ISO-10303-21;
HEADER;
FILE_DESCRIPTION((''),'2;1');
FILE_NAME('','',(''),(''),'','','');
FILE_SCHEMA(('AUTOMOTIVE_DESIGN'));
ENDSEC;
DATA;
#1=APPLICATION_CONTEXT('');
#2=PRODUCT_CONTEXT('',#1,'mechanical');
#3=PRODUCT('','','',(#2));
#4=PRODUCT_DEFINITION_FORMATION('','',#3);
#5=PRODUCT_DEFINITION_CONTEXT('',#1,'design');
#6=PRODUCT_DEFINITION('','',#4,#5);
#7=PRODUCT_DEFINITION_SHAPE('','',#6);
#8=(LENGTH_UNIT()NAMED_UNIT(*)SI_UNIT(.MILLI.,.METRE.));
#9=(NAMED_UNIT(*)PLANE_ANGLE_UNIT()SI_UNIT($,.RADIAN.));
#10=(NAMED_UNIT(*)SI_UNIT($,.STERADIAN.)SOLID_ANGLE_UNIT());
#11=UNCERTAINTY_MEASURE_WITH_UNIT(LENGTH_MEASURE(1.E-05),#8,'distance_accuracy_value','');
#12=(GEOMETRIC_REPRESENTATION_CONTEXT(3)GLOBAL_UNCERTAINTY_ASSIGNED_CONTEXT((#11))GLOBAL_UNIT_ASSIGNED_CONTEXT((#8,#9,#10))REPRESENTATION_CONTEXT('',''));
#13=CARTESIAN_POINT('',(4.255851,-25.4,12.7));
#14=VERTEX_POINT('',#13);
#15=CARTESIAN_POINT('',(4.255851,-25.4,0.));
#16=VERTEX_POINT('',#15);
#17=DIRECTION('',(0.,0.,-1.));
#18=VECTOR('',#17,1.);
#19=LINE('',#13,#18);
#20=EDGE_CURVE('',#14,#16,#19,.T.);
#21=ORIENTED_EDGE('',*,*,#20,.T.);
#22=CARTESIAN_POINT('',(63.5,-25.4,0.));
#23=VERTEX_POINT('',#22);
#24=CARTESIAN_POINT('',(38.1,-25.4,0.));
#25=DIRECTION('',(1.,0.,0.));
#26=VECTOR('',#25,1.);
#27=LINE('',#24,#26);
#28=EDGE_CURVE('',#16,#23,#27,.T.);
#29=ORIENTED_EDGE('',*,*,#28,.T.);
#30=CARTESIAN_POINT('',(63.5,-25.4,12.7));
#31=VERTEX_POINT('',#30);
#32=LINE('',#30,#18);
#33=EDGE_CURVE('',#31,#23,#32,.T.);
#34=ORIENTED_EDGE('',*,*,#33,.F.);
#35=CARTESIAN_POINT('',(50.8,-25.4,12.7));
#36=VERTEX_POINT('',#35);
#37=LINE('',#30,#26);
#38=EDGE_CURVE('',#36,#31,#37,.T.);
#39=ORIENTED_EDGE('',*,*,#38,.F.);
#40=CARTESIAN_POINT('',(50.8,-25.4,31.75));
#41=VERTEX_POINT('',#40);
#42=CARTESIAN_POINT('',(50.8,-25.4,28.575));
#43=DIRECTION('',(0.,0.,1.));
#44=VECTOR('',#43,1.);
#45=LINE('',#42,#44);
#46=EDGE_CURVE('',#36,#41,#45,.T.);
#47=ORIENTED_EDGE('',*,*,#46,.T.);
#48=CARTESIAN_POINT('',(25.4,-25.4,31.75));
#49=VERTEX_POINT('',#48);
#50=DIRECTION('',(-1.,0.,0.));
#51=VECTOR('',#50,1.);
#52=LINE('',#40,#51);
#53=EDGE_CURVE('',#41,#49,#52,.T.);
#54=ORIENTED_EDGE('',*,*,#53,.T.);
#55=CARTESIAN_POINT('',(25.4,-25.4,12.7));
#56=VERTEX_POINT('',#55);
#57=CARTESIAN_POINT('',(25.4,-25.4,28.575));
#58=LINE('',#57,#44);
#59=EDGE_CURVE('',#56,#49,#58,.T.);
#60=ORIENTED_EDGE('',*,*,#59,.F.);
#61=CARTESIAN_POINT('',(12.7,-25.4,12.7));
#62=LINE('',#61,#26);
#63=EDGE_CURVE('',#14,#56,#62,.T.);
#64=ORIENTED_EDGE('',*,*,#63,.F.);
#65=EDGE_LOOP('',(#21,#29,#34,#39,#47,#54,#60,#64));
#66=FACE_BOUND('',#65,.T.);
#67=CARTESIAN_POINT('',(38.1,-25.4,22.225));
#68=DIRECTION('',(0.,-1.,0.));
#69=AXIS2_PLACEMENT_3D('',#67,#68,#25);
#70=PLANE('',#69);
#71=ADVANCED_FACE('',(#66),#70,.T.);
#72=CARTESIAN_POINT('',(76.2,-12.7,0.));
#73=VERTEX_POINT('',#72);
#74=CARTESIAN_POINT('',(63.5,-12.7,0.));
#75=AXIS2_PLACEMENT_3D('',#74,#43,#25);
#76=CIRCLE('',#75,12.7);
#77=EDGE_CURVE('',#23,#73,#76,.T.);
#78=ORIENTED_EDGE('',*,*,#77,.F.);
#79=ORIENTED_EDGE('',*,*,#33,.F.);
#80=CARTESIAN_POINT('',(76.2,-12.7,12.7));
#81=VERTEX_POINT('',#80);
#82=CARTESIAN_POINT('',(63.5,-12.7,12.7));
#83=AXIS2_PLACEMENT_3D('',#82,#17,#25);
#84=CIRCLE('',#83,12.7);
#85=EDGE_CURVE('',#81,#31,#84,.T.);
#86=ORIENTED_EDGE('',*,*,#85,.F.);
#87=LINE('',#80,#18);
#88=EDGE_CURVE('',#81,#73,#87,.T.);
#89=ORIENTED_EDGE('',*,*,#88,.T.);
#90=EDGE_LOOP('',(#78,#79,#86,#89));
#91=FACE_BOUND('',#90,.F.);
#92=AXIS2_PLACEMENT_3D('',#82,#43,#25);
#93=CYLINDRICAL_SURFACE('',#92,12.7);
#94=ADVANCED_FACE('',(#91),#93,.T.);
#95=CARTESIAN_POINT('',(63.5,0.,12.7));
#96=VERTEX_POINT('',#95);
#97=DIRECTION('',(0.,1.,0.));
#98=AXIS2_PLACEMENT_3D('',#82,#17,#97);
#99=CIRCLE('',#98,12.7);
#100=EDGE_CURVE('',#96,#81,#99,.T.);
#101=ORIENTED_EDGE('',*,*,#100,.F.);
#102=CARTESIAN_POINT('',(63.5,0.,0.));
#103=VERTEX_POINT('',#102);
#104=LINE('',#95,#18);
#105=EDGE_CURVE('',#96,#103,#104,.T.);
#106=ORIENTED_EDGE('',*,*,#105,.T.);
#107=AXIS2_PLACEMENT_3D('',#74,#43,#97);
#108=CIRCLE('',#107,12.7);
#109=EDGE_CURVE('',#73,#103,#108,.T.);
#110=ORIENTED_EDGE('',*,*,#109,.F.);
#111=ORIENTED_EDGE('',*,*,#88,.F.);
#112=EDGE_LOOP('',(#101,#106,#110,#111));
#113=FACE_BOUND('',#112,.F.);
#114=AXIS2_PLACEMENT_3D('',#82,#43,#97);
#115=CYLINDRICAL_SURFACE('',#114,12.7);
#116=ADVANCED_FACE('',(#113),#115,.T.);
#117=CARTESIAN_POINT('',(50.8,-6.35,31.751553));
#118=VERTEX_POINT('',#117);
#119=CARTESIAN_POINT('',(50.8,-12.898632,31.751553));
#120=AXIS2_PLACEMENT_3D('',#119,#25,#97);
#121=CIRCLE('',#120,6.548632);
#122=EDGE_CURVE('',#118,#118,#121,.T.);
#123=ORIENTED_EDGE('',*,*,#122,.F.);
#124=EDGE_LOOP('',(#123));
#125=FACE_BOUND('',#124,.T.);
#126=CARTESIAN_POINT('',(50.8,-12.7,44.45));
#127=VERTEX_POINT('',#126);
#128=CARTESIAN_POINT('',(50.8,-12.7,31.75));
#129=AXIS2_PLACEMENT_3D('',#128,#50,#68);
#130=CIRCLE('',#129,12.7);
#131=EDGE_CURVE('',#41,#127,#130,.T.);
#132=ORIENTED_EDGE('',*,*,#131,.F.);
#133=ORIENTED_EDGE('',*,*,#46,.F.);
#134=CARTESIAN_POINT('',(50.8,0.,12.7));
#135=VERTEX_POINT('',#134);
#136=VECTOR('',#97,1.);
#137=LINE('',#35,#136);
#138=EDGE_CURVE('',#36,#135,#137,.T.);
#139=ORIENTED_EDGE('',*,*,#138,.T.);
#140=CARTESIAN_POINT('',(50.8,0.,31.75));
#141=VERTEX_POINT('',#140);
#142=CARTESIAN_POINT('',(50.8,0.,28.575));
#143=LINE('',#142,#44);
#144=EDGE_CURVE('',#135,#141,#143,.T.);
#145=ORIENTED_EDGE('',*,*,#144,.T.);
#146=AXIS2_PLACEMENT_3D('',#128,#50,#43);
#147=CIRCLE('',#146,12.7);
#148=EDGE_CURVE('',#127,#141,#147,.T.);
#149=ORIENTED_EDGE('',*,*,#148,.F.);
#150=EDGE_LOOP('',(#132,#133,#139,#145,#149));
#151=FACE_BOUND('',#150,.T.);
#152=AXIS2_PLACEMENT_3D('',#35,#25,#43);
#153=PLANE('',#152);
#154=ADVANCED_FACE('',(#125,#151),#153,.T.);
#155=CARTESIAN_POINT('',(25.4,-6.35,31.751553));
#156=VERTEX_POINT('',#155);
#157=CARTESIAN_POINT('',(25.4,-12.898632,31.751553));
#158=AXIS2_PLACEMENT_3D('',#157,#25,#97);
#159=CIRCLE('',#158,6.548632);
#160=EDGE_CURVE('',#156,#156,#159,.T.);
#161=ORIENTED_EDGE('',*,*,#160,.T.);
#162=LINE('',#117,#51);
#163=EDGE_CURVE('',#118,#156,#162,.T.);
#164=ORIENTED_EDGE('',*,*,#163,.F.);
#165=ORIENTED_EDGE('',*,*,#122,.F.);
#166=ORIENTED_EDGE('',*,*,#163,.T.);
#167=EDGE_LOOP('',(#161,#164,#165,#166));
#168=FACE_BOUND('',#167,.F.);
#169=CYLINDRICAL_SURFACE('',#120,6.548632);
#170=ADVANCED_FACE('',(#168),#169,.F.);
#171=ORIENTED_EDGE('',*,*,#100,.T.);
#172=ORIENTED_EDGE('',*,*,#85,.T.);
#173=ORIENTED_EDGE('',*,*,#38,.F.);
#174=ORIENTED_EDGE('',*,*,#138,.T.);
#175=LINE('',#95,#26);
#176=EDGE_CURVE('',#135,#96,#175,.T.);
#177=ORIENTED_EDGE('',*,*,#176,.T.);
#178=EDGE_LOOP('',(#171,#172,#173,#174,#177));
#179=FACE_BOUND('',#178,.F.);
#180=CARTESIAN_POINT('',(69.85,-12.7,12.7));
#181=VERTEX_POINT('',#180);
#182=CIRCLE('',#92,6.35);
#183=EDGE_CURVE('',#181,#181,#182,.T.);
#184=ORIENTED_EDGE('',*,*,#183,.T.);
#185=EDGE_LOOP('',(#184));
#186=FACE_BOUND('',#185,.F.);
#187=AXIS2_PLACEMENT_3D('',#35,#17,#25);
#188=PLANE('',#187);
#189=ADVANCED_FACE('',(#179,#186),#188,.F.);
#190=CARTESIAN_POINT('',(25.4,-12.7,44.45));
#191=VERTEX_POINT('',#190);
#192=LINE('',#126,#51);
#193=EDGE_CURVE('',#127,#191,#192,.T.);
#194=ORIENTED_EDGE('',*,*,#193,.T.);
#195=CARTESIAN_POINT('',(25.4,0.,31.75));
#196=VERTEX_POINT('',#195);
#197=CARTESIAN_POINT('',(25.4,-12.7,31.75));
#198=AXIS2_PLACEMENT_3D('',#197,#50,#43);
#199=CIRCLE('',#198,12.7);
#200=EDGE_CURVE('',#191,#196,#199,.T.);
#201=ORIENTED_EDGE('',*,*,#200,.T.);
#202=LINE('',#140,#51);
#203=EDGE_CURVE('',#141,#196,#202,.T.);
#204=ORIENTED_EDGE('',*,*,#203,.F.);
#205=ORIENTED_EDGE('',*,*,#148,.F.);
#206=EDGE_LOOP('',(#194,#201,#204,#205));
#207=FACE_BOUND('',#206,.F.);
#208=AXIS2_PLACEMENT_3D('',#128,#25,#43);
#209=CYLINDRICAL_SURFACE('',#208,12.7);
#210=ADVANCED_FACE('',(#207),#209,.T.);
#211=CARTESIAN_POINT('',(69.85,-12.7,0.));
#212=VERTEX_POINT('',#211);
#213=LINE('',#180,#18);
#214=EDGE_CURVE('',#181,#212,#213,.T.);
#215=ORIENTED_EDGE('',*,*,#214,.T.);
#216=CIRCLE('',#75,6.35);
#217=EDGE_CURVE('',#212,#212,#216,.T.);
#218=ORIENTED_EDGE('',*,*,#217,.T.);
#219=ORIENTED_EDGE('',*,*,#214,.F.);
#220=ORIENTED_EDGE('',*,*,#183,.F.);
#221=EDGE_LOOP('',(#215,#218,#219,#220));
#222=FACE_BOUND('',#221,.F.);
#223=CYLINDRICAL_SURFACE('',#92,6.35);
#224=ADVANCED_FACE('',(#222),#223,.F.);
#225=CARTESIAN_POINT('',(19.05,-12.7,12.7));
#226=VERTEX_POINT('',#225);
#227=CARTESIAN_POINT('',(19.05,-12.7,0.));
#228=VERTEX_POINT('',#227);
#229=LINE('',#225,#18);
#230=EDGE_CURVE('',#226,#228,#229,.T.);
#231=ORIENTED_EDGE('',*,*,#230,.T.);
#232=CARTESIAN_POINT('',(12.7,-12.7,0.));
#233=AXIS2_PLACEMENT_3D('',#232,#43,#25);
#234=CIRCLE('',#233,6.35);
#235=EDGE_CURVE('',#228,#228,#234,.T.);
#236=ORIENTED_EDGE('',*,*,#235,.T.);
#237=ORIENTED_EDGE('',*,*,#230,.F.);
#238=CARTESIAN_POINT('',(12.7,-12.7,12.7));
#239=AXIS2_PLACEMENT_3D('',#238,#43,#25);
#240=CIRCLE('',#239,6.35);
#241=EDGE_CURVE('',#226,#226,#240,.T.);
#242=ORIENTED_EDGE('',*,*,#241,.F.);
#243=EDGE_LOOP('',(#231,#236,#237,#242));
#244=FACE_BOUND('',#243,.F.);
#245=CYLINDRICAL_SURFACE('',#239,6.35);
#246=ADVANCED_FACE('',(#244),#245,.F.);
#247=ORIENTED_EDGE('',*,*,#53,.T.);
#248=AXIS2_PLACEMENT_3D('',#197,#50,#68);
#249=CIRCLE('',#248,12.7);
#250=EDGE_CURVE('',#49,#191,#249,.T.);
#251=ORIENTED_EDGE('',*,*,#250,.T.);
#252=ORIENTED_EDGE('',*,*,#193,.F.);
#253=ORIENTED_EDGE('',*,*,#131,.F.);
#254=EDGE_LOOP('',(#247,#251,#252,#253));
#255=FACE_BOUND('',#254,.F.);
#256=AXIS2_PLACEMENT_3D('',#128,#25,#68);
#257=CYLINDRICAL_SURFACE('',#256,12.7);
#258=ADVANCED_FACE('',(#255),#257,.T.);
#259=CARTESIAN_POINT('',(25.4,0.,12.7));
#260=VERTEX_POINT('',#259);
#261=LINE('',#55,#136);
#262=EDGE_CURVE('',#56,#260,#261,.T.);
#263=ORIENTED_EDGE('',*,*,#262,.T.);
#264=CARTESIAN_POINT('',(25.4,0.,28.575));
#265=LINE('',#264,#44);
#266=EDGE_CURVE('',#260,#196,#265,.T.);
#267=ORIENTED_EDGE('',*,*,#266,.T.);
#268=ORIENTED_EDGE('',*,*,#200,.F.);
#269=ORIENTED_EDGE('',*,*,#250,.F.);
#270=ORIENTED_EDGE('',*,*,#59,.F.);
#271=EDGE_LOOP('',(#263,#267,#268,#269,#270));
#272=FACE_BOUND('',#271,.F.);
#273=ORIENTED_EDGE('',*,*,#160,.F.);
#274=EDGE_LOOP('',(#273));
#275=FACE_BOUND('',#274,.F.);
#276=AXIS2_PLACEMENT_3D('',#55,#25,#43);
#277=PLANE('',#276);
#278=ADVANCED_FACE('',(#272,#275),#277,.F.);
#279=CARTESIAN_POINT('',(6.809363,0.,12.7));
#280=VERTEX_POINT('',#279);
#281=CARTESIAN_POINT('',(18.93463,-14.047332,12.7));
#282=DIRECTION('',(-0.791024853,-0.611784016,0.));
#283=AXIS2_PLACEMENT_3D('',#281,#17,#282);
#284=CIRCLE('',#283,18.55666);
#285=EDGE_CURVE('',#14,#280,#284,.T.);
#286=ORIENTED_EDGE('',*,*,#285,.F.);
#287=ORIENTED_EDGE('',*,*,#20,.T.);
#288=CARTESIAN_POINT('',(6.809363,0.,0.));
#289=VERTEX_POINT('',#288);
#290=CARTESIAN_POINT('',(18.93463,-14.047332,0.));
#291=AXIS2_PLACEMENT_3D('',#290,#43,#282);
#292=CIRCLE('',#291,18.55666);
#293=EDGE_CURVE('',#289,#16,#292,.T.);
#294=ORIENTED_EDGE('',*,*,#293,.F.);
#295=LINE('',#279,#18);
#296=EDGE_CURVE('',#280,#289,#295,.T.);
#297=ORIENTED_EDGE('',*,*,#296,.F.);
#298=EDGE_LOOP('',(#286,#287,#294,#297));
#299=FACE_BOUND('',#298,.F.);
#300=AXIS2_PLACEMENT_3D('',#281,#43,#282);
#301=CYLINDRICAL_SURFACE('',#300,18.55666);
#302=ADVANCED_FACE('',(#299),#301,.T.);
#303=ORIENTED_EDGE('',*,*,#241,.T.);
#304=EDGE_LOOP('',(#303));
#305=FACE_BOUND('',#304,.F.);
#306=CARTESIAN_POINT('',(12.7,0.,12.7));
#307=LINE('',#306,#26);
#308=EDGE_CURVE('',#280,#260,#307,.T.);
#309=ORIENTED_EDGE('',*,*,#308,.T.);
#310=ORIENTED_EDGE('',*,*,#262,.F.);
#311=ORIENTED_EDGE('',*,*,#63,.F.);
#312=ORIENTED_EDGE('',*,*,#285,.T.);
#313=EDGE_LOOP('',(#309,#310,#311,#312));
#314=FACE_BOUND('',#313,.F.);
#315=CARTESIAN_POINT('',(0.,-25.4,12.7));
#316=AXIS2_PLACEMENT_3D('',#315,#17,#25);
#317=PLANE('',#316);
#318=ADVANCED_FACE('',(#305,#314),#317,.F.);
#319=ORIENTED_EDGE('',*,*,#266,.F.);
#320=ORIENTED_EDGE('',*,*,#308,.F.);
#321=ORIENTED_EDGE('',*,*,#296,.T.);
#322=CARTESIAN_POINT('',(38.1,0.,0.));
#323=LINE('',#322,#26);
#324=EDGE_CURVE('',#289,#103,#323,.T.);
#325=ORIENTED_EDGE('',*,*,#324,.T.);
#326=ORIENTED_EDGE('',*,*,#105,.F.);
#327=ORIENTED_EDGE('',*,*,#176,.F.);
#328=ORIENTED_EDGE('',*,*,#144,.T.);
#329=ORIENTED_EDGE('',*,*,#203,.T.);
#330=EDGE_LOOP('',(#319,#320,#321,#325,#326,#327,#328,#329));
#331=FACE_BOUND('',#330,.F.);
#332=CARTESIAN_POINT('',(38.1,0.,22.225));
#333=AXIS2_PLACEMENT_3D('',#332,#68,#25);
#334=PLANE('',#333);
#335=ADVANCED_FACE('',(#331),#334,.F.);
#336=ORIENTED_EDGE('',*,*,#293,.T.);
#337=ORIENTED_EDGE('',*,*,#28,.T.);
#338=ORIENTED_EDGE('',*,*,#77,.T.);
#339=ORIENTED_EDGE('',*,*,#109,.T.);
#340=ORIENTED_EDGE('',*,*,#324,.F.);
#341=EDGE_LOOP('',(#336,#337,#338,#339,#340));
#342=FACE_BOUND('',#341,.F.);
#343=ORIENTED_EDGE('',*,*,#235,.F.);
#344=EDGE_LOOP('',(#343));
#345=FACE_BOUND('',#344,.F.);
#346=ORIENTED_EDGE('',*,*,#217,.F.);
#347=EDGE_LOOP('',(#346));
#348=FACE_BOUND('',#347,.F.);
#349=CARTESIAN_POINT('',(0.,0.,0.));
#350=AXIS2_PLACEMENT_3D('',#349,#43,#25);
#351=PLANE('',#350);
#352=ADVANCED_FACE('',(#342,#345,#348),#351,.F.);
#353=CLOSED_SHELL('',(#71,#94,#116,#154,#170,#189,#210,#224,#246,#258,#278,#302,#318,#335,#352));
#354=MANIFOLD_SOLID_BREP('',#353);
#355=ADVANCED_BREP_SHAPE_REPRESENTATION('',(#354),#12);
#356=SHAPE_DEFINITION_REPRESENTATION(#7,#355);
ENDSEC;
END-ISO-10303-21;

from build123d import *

# Parameters (mm, degrees)
F0_W      = 76.2
F0_H      = 44.45
F1_DEPTH  = 25.4
F2_W      = 25.4
F2_H      = 31.75
F3_DEPTH  = 25.4
F4_R      = 6.5486317255
F5_DEPTH  = 25.4
F6_R      = 6.35
F7_DEPTH  = 25.4
F9_DEPTH  = 25.4
F10_R     = 6.35
F11_DEPTH = 25.4


with BuildPart() as f1:
    # F0 (on Front) → F1 (new body)
    with BuildSketch(Plane.XZ):
        with Locations((38.1, 22.225)):
            Rectangle(F0_W, F0_H)
    extrude(amount=F1_DEPTH)

    # F2 (on face) → F3 (cut)
    with BuildSketch(Plane.XZ.offset(25.4)):
        with Locations((63.5, 28.575)):
            Rectangle(F2_W, F2_H)
        with Locations((12.7, 28.575)):
            Rectangle(F2_W, F2_H)
    extrude(amount=-F3_DEPTH, mode=Mode.SUBTRACT)

    # F4 (on face) → F5 (cut)
    with BuildSketch(Plane.YZ.offset(50.8)):
        with Locations((-12.8986317255, 31.7515534242)):
            Circle(F4_R)
        with BuildLine():
            ThreePointArc((-25.4, 31.75), (-21.6802561211, 40.7302561211), (-12.7, 44.45))
            Line((-12.7, 44.45), (-25.4, 44.45))
            Line((-25.4, 44.45), (-25.4, 31.75))
        make_face()
        with BuildLine():
            ThreePointArc((-12.7, 44.45), (-3.7197438789, 40.7302561211), (0, 31.75))
            Line((0, 31.75), (0, 44.45))
            Line((0, 44.45), (-12.7, 44.45))
        make_face()
    extrude(amount=-F5_DEPTH, mode=Mode.SUBTRACT)

    # F6 (on face) → F7 (cut)
    with BuildSketch(Plane.XY.offset(12.7)):
        with Locations((63.5, -12.7)):
            Circle(F6_R)
    extrude(amount=-F7_DEPTH, mode=Mode.SUBTRACT)

    # F8 (on face) → F9 (cut)
    with BuildSketch(Plane.XY.offset(12.7)):
        with BuildLine():
            ThreePointArc((63.5, 0), (72.4802561211, -3.7197438789), (76.2, -12.7))
            Line((76.2, -12.7), (76.2, 0))
            Line((76.2, 0), (63.5, 0))
        make_face()
        with BuildLine():
            ThreePointArc((76.2, -12.7), (72.4802561211, -21.6802561211), (63.5, -25.4))
            Line((63.5, -25.4), (76.2, -25.4))
            Line((76.2, -25.4), (76.2, -12.7))
        make_face()
    extrude(amount=-F9_DEPTH, mode=Mode.SUBTRACT)

    # F10 (on face) → F11 (cut)
    with BuildSketch(Plane.XY.offset(12.7)):
        with BuildLine():
            ThreePointArc((4.2558507994, -25.4), (0.4710381636, -12.1911505721), (6.809362676, 0))
            Line((6.809362676, 0), (0, 0))
            Line((0, 0), (0, -25.4))
            Line((0, -25.4), (4.2558507994, -25.4))
        make_face()
        with Locations((12.7, -12.7)):
            Circle(F10_R)
    extrude(amount=-F11_DEPTH, mode=Mode.SUBTRACT)


solid = f1.part
